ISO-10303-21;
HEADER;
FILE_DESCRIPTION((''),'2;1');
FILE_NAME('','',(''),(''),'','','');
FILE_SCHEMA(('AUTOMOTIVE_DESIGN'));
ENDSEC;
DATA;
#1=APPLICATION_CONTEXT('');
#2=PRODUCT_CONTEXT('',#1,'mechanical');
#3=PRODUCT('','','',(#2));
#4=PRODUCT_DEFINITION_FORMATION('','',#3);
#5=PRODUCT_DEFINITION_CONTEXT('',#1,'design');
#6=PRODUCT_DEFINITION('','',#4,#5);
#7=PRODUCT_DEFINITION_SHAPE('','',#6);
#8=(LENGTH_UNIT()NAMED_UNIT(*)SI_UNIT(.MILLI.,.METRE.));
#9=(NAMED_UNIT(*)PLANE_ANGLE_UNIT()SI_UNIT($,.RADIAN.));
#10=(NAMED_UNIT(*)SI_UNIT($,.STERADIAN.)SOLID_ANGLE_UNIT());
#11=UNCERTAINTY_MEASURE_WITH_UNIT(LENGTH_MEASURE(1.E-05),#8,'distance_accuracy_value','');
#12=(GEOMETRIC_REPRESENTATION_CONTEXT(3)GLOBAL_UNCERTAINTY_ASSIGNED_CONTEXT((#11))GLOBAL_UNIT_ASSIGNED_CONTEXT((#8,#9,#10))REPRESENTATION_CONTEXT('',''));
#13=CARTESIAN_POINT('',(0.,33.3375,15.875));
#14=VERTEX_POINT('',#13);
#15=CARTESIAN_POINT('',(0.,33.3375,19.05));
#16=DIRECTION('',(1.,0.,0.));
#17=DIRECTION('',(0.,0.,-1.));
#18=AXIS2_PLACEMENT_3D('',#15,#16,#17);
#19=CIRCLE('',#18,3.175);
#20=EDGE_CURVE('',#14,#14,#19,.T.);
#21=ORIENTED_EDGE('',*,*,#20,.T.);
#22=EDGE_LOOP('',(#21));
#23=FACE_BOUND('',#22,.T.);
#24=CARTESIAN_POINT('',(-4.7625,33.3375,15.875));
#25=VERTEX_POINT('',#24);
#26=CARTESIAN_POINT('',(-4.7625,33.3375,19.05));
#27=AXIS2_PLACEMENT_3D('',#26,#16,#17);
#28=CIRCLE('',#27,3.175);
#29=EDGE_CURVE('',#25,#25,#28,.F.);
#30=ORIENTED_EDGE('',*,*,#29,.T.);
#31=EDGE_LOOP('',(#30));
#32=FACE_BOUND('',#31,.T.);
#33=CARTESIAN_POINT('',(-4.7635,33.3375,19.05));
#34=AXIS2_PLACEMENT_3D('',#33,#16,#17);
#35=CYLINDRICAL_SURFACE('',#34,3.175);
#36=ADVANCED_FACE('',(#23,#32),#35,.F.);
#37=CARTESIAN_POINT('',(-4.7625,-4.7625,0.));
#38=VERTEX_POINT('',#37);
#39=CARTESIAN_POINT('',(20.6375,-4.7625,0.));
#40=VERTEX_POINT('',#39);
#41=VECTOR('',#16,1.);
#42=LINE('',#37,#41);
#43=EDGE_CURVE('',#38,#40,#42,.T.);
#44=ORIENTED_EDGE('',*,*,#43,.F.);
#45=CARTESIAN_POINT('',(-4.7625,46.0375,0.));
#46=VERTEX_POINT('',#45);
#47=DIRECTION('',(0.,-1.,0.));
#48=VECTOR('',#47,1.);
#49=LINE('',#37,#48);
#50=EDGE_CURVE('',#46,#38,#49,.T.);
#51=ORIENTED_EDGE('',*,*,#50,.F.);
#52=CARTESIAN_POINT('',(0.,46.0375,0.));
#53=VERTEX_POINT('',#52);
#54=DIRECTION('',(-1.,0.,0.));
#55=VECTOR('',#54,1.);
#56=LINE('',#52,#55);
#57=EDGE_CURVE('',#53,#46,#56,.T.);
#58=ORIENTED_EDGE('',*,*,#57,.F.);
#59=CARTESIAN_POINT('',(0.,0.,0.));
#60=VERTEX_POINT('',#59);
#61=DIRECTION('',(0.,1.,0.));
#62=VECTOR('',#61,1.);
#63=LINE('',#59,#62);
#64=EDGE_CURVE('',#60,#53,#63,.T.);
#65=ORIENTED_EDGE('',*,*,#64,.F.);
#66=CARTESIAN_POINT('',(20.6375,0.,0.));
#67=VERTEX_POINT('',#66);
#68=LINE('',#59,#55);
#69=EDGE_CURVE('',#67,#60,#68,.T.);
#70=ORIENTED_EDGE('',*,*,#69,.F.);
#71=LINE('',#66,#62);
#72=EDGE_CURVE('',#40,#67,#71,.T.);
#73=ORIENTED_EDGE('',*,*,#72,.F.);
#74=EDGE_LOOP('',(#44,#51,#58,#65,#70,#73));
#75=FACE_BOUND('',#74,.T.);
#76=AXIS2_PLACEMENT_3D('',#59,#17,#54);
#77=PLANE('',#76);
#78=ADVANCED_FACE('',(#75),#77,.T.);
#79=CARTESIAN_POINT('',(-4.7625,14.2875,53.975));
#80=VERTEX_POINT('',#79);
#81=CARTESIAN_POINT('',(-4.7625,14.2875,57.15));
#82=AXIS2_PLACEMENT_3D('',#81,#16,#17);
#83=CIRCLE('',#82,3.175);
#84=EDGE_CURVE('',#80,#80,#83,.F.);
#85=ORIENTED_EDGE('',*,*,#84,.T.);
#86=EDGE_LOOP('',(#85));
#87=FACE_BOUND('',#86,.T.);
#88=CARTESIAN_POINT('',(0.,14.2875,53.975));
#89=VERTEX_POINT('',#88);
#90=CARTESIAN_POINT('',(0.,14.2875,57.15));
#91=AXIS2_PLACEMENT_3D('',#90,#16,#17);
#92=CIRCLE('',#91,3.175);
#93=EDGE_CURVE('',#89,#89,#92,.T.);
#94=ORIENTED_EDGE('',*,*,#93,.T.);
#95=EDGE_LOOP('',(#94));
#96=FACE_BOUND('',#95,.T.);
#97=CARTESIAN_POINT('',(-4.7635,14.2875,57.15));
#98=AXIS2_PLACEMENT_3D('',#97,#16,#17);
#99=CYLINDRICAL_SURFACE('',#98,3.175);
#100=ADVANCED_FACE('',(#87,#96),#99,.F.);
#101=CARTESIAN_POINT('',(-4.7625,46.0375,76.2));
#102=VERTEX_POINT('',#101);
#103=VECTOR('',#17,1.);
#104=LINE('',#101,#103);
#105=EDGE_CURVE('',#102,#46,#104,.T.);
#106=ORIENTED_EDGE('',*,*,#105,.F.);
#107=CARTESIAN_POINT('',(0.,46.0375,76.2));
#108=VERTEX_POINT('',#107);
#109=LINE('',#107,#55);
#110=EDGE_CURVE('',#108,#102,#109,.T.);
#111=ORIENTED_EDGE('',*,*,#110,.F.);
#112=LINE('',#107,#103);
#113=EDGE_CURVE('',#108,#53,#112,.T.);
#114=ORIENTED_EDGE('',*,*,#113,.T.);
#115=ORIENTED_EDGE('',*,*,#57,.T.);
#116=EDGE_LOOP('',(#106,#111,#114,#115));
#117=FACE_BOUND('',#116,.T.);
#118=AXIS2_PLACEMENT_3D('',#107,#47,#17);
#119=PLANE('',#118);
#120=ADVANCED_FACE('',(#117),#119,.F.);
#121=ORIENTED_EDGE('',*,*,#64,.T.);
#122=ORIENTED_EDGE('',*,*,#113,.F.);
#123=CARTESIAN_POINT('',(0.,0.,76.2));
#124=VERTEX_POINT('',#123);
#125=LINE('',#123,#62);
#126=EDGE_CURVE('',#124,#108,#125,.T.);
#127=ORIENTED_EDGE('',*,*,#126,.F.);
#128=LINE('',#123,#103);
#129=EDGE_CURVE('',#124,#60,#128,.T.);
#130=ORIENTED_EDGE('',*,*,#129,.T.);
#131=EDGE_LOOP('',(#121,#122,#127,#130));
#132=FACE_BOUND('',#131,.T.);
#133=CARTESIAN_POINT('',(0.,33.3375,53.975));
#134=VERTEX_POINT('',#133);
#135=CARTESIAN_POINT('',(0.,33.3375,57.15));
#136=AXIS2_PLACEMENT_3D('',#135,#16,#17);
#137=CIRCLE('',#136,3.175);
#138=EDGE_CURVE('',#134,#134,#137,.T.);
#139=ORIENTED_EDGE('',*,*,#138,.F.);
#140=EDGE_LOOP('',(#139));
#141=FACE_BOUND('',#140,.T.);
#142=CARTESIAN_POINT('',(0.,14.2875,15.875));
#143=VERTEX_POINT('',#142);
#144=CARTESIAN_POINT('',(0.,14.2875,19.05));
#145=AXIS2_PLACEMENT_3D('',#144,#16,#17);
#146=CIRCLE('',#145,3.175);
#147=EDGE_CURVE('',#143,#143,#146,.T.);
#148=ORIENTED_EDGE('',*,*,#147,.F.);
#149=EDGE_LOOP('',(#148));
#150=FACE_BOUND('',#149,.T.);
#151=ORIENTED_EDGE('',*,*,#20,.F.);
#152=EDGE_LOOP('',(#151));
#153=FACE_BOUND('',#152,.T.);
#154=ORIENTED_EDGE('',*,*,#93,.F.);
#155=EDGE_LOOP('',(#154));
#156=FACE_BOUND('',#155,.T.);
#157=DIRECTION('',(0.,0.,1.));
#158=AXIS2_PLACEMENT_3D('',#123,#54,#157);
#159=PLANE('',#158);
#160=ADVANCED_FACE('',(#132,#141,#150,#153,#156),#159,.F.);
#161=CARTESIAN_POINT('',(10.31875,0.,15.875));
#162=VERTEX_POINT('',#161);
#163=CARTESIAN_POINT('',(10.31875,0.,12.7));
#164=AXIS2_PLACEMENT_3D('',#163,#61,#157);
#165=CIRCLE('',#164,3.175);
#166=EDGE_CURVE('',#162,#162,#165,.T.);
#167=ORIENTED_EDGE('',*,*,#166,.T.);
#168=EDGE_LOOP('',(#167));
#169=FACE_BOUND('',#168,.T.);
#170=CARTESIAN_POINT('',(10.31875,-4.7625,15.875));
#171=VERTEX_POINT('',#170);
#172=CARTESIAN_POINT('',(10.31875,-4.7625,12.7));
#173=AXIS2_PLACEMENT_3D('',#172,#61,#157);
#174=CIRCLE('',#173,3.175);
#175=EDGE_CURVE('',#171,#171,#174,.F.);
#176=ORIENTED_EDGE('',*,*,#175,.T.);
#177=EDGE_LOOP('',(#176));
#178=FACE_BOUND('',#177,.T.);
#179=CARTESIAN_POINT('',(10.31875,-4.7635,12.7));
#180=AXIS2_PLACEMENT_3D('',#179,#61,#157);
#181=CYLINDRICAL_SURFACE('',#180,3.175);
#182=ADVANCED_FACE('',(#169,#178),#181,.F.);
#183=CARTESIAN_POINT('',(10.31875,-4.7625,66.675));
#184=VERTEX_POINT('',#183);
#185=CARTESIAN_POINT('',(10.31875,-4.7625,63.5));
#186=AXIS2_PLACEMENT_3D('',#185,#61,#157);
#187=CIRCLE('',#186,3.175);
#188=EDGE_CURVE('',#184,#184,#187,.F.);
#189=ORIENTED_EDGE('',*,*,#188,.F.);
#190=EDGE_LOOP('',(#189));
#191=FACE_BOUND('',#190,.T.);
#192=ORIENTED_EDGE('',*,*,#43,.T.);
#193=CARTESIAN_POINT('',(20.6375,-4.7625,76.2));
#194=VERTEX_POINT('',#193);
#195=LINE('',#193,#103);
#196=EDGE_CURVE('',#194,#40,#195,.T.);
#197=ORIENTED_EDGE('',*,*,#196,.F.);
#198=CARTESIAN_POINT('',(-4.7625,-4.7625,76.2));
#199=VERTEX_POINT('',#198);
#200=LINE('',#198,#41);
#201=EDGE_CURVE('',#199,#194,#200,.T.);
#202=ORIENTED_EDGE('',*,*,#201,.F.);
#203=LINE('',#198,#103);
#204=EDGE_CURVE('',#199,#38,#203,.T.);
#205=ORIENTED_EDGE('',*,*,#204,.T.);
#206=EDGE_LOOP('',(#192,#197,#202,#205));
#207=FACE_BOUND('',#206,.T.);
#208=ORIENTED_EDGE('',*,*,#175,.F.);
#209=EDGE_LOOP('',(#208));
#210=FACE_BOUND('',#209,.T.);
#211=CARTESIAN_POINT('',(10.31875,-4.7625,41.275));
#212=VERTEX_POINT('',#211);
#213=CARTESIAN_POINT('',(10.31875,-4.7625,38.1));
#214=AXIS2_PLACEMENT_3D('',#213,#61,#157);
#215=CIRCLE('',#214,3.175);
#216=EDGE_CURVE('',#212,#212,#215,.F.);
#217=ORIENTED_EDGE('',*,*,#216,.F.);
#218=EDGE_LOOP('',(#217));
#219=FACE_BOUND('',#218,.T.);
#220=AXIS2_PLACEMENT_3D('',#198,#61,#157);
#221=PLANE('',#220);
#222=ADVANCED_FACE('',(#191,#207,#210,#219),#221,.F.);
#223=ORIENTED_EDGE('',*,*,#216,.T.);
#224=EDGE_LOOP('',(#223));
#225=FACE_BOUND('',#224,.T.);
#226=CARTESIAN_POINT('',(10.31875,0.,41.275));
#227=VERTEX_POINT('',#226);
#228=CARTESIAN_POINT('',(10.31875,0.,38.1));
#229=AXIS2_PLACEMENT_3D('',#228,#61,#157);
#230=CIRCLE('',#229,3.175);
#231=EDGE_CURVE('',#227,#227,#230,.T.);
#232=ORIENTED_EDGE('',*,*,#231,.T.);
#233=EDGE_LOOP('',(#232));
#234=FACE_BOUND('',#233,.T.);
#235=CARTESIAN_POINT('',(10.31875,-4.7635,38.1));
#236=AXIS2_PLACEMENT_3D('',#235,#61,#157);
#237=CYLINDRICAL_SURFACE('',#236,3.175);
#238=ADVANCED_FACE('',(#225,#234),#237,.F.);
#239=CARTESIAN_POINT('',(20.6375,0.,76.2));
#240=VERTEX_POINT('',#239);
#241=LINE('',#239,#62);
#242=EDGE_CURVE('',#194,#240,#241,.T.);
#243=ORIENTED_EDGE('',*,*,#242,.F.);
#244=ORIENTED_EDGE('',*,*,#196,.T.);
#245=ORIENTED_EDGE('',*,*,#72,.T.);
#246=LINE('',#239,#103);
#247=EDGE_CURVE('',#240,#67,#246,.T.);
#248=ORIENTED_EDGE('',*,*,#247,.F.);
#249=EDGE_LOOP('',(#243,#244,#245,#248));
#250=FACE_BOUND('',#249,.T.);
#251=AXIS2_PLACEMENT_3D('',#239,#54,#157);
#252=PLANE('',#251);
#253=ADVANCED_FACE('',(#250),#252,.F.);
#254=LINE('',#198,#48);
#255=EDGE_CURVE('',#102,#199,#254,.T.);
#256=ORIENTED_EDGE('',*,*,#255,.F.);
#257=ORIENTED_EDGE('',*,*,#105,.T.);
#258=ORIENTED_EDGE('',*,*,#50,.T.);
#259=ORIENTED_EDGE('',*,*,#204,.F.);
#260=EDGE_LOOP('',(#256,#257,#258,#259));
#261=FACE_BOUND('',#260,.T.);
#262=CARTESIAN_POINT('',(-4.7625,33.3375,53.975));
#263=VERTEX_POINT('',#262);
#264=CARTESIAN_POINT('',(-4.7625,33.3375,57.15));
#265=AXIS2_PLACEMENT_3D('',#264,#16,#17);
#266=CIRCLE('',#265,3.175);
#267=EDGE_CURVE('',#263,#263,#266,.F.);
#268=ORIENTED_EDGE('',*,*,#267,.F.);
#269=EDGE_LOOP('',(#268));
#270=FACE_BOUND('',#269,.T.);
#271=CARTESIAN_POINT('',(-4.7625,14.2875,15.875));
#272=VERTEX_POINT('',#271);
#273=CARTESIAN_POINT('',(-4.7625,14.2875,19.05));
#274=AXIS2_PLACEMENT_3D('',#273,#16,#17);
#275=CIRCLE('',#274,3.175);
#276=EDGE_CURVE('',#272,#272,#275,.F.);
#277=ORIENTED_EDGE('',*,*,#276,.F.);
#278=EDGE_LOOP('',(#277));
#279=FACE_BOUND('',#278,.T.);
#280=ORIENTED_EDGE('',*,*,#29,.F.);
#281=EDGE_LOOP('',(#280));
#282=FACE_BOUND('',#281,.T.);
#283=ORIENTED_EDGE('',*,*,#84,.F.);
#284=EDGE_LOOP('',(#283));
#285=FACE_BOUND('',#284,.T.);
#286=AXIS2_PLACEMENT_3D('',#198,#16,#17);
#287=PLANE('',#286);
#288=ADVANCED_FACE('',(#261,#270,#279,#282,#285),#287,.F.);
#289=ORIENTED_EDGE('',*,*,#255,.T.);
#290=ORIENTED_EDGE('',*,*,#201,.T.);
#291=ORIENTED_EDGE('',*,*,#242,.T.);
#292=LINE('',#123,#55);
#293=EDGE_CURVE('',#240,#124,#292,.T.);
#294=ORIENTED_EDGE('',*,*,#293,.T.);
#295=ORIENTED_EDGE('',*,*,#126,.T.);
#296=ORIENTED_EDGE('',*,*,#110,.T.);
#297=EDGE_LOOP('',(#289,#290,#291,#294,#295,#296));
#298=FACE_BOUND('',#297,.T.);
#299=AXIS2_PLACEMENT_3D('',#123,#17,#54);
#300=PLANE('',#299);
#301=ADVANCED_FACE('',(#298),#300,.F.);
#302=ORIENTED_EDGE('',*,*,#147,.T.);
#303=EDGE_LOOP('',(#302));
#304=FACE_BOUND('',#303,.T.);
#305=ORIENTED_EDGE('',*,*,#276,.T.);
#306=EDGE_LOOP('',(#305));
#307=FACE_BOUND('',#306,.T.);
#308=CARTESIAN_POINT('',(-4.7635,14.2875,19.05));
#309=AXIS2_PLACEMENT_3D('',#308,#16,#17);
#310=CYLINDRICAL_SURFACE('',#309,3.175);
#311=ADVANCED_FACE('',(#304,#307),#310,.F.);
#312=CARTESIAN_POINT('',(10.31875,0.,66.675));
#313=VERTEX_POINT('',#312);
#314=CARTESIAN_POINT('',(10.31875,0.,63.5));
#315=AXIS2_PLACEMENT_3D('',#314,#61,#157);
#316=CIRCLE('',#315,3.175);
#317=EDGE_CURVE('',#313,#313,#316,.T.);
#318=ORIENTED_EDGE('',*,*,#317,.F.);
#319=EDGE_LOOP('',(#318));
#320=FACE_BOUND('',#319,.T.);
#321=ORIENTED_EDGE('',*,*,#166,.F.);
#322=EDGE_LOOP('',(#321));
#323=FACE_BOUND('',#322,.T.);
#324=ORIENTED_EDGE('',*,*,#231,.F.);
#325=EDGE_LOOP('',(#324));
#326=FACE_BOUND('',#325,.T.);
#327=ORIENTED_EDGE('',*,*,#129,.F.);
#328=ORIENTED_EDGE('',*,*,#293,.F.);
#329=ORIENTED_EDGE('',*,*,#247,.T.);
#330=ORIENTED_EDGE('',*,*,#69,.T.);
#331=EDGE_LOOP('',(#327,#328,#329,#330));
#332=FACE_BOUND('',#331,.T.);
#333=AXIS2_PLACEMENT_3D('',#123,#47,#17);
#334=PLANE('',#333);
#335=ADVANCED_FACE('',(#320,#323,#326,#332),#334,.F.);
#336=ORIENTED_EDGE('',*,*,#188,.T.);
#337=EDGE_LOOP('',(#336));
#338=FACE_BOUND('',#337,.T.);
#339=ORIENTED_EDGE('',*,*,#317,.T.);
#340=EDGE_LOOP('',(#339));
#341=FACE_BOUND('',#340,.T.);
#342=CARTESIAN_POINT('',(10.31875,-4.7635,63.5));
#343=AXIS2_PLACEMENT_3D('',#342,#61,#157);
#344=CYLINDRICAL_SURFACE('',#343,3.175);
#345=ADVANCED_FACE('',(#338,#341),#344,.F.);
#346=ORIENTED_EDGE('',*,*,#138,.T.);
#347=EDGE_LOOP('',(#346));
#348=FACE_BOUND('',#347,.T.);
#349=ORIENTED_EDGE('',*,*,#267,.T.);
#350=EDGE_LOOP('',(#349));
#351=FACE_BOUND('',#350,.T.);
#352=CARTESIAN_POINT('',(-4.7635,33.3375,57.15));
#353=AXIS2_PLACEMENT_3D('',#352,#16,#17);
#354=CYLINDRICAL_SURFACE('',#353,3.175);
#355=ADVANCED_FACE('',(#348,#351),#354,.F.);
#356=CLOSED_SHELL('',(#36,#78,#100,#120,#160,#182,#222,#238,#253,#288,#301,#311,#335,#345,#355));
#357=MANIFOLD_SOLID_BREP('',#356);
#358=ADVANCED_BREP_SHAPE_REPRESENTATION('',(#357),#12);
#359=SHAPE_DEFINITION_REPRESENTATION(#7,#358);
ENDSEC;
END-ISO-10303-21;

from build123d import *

# Parameters (mm, degrees)
BOSS_EXTRUDE1_DEPTH = 76.2
CUT_EXTRUDE1_REACH  = 93.388
SKETCH2_R           = 3.175
CUT_EXTRUDE2_REACH  = 93.388
SKETCH3_R           = 3.175


with BuildPart() as part:
    # Sketch1 → Boss-Extrude1 (new body)
    with BuildSketch(Plane.XY):
        Polygon((0, 0), (0, 46.0375), (-4.7625, 46.0375), (-4.7625, -4.7625), (20.6375, -4.7625), (20.6375, 0), align=None)
    extrude(amount=BOSS_EXTRUDE1_DEPTH)

    # Sketch2 → Cut-Extrude1 (cut, up to next)
    with BuildSketch(Plane(origin=(0, 0, 0), x_dir=(0, 0, -1), z_dir=(1, 0, 0)), mode=Mode.PRIVATE) as cut_extrude1_sk1:
        with Locations((-57.15, 33.3375)):
            Circle(SKETCH2_R)
    cut_extrude1_tool1 = extrude(cut_extrude1_sk1.sketch, amount=-CUT_EXTRUDE1_REACH, mode=Mode.PRIVATE) & part.part
    # Sketch2 → Cut-Extrude1 (cut, up to next)
    with BuildSketch(Plane(origin=(0, 0, 0), x_dir=(0, 0, -1), z_dir=(1, 0, 0)), mode=Mode.PRIVATE) as cut_extrude1_sk2:
        with Locations((-19.05, 33.3375)):
            Circle(SKETCH2_R)
    cut_extrude1_tool2 = extrude(cut_extrude1_sk2.sketch, amount=-CUT_EXTRUDE1_REACH, mode=Mode.PRIVATE) & part.part
    # Sketch2 → Cut-Extrude1 (cut, up to next)
    with BuildSketch(Plane(origin=(0, 0, 0), x_dir=(0, 0, -1), z_dir=(1, 0, 0)), mode=Mode.PRIVATE) as cut_extrude1_sk3:
        with Locations((-19.05, 14.2875)):
            Circle(SKETCH2_R)
    cut_extrude1_tool3 = extrude(cut_extrude1_sk3.sketch, amount=-CUT_EXTRUDE1_REACH, mode=Mode.PRIVATE) & part.part
    # Sketch2 → Cut-Extrude1 (cut, up to next)
    with BuildSketch(Plane(origin=(0, 0, 0), x_dir=(0, 0, -1), z_dir=(1, 0, 0)), mode=Mode.PRIVATE) as cut_extrude1_sk4:
        with Locations((-57.15, 14.2875)):
            Circle(SKETCH2_R)
    cut_extrude1_tool4 = extrude(cut_extrude1_sk4.sketch, amount=-CUT_EXTRUDE1_REACH, mode=Mode.PRIVATE) & part.part
    add(cut_extrude1_tool1.solids().sort_by_distance((0, 33.3375, 57.15))[0], mode=Mode.SUBTRACT)
    add(cut_extrude1_tool2.solids().sort_by_distance((0, 33.3375, 19.05))[0], mode=Mode.SUBTRACT)
    add(cut_extrude1_tool3.solids().sort_by_distance((0, 14.2875, 19.05))[0], mode=Mode.SUBTRACT)
    add(cut_extrude1_tool4.solids().sort_by_distance((0, 14.2875, 57.15))[0], mode=Mode.SUBTRACT)

    # Sketch3 → Cut-Extrude2 (cut, up to next)
    with BuildSketch(Plane(origin=(0, 0, 0), x_dir=(1, 0, 0), z_dir=(0, 1, 0)), mode=Mode.PRIVATE) as cut_extrude2_sk1:
        with Locations(Location((10.31875, -12.7, 0), (0, 0, 270))):
            Circle(SKETCH3_R)
    cut_extrude2_tool1 = extrude(cut_extrude2_sk1.sketch, amount=-CUT_EXTRUDE2_REACH, mode=Mode.PRIVATE) & part.part
    # Sketch3 → Cut-Extrude2 (cut, up to next)
    with BuildSketch(Plane(origin=(0, 0, 0), x_dir=(1, 0, 0), z_dir=(0, 1, 0)), mode=Mode.PRIVATE) as cut_extrude2_sk2:
        with Locations(Location((10.31875, -63.5, 0), (0, 0, 270))):
            Circle(SKETCH3_R)
    cut_extrude2_tool2 = extrude(cut_extrude2_sk2.sketch, amount=-CUT_EXTRUDE2_REACH, mode=Mode.PRIVATE) & part.part
    # Sketch3 → Cut-Extrude2 (cut, up to next)
    with BuildSketch(Plane(origin=(0, 0, 0), x_dir=(1, 0, 0), z_dir=(0, 1, 0)), mode=Mode.PRIVATE) as cut_extrude2_sk3:
        with Locations(Location((10.31875, -38.1, 0), (0, 0, 270))):
            Circle(SKETCH3_R)
    cut_extrude2_tool3 = extrude(cut_extrude2_sk3.sketch, amount=-CUT_EXTRUDE2_REACH, mode=Mode.PRIVATE) & part.part
    add(cut_extrude2_tool1.solids().sort_by_distance((10.31875, 0, 12.7))[0], mode=Mode.SUBTRACT)
    add(cut_extrude2_tool2.solids().sort_by_distance((10.31875, 0, 63.5))[0], mode=Mode.SUBTRACT)
    add(cut_extrude2_tool3.solids().sort_by_distance((10.31875, 0, 38.1))[0], mode=Mode.SUBTRACT)


solid = part.part
